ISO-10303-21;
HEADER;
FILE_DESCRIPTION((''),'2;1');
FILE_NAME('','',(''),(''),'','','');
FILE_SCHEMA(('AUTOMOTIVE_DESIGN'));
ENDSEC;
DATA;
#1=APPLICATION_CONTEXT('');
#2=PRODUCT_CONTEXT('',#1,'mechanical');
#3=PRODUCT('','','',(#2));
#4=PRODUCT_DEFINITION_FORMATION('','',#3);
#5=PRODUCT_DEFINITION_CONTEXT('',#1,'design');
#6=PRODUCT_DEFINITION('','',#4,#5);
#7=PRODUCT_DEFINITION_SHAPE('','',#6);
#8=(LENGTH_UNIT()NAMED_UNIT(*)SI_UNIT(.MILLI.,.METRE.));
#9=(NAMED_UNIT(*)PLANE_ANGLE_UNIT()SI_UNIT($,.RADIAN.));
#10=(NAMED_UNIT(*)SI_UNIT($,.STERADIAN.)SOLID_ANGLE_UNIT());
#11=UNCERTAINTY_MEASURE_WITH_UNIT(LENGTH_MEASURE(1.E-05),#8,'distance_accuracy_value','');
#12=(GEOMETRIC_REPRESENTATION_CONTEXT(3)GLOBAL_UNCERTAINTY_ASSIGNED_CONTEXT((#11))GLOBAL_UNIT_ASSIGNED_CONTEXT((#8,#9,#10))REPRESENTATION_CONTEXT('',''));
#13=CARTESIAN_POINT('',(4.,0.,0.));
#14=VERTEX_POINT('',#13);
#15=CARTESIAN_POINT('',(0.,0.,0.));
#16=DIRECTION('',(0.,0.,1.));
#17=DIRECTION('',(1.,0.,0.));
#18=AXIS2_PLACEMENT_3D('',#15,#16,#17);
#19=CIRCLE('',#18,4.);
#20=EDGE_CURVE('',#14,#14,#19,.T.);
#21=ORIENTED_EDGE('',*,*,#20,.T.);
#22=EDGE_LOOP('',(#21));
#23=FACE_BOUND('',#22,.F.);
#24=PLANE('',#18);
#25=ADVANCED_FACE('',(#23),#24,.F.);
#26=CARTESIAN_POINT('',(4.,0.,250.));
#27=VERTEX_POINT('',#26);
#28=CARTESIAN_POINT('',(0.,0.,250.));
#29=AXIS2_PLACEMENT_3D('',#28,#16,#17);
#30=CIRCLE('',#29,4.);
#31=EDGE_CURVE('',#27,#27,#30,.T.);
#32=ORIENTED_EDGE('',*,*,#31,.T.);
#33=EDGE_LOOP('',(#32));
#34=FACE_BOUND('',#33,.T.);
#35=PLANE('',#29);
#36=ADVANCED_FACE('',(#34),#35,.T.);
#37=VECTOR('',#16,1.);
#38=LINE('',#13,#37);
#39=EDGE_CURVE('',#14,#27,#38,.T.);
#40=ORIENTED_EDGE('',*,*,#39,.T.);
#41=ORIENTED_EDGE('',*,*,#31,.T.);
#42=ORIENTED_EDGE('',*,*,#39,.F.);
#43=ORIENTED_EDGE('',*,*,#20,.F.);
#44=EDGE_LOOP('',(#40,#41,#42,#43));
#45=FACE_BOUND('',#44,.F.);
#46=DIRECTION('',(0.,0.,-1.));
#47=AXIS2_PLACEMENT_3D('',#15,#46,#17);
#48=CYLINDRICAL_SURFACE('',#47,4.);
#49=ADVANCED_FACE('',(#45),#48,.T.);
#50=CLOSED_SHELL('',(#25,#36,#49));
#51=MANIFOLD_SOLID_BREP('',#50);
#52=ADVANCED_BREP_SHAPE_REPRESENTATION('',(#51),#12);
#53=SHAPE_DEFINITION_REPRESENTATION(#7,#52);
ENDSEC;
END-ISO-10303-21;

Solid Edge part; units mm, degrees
sketch "Sketch1" plane through (0, 0, 0) normal (0, 0, 1) x (1, 0, 0)
  circle A0 centre (0, 0) radius 4
extrude "Protrusion1" add sketch "Sketch1" along normal blind 250
cosmetic_thread "Thread1" size "Tr 8 x 2"
